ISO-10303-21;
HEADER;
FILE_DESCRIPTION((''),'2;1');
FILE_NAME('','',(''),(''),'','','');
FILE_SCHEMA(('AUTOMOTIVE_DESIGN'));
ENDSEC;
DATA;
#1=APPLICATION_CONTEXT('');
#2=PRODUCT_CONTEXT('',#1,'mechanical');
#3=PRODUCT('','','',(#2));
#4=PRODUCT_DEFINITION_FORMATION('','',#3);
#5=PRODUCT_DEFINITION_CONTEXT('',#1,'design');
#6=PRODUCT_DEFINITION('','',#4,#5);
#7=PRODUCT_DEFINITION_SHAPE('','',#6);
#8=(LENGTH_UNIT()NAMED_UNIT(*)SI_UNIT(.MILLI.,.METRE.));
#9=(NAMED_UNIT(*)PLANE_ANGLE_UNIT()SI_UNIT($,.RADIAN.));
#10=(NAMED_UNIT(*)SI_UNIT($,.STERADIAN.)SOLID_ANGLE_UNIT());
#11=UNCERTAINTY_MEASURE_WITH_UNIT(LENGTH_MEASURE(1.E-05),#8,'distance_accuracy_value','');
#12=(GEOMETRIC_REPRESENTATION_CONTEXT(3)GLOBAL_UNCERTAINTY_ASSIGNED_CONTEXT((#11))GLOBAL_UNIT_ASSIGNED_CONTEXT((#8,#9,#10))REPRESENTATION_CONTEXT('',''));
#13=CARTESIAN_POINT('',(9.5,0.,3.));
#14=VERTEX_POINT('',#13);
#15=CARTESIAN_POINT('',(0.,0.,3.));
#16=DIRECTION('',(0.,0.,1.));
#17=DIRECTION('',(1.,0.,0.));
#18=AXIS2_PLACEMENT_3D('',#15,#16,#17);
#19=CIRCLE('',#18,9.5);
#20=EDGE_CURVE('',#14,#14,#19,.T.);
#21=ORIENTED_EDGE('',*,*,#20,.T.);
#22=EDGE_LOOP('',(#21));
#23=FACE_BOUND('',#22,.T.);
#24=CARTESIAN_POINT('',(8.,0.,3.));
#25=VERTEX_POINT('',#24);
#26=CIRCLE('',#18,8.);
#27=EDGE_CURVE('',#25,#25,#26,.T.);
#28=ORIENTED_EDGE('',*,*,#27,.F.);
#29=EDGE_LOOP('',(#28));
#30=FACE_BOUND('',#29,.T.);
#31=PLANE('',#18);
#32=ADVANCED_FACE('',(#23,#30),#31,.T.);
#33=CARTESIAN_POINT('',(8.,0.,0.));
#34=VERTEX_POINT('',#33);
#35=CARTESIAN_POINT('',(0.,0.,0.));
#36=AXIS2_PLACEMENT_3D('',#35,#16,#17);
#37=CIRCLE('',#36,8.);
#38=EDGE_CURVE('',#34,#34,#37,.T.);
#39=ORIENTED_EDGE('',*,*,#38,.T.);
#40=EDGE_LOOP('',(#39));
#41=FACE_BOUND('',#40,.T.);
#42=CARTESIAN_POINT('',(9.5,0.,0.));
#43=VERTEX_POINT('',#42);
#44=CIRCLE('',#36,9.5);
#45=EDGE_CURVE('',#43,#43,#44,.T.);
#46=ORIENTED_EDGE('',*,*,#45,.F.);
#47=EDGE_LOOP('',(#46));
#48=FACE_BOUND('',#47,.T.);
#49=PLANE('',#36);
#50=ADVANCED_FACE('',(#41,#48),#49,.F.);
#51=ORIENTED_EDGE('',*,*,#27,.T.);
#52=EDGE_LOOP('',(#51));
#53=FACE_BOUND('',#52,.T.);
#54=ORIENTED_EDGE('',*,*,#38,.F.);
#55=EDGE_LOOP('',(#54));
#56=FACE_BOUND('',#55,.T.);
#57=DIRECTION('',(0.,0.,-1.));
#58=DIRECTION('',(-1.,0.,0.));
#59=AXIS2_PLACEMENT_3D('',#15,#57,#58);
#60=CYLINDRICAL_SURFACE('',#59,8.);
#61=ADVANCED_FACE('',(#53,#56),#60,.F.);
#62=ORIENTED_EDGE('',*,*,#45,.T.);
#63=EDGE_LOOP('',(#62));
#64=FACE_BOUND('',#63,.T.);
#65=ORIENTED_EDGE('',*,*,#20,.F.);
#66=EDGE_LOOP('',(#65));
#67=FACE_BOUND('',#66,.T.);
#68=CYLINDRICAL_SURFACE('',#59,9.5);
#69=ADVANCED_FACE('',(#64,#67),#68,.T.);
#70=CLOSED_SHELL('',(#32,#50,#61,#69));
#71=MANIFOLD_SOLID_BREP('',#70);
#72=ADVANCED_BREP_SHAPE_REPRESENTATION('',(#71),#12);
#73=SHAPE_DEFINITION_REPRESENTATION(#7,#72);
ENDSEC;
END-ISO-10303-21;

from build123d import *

# Parameters (mm, degrees)
SKETCH1_R           = 9.5
SKETCH1_R_2         = 8
BOSS_EXTRUDE1_DEPTH = 3


with BuildPart() as part:
    # Sketch1 → Boss-Extrude1 (new body)
    with BuildSketch(Plane.XY):
        Circle(SKETCH1_R)
        Circle(SKETCH1_R_2, mode=Mode.SUBTRACT)
    extrude(amount=BOSS_EXTRUDE1_DEPTH)


solid = part.part
